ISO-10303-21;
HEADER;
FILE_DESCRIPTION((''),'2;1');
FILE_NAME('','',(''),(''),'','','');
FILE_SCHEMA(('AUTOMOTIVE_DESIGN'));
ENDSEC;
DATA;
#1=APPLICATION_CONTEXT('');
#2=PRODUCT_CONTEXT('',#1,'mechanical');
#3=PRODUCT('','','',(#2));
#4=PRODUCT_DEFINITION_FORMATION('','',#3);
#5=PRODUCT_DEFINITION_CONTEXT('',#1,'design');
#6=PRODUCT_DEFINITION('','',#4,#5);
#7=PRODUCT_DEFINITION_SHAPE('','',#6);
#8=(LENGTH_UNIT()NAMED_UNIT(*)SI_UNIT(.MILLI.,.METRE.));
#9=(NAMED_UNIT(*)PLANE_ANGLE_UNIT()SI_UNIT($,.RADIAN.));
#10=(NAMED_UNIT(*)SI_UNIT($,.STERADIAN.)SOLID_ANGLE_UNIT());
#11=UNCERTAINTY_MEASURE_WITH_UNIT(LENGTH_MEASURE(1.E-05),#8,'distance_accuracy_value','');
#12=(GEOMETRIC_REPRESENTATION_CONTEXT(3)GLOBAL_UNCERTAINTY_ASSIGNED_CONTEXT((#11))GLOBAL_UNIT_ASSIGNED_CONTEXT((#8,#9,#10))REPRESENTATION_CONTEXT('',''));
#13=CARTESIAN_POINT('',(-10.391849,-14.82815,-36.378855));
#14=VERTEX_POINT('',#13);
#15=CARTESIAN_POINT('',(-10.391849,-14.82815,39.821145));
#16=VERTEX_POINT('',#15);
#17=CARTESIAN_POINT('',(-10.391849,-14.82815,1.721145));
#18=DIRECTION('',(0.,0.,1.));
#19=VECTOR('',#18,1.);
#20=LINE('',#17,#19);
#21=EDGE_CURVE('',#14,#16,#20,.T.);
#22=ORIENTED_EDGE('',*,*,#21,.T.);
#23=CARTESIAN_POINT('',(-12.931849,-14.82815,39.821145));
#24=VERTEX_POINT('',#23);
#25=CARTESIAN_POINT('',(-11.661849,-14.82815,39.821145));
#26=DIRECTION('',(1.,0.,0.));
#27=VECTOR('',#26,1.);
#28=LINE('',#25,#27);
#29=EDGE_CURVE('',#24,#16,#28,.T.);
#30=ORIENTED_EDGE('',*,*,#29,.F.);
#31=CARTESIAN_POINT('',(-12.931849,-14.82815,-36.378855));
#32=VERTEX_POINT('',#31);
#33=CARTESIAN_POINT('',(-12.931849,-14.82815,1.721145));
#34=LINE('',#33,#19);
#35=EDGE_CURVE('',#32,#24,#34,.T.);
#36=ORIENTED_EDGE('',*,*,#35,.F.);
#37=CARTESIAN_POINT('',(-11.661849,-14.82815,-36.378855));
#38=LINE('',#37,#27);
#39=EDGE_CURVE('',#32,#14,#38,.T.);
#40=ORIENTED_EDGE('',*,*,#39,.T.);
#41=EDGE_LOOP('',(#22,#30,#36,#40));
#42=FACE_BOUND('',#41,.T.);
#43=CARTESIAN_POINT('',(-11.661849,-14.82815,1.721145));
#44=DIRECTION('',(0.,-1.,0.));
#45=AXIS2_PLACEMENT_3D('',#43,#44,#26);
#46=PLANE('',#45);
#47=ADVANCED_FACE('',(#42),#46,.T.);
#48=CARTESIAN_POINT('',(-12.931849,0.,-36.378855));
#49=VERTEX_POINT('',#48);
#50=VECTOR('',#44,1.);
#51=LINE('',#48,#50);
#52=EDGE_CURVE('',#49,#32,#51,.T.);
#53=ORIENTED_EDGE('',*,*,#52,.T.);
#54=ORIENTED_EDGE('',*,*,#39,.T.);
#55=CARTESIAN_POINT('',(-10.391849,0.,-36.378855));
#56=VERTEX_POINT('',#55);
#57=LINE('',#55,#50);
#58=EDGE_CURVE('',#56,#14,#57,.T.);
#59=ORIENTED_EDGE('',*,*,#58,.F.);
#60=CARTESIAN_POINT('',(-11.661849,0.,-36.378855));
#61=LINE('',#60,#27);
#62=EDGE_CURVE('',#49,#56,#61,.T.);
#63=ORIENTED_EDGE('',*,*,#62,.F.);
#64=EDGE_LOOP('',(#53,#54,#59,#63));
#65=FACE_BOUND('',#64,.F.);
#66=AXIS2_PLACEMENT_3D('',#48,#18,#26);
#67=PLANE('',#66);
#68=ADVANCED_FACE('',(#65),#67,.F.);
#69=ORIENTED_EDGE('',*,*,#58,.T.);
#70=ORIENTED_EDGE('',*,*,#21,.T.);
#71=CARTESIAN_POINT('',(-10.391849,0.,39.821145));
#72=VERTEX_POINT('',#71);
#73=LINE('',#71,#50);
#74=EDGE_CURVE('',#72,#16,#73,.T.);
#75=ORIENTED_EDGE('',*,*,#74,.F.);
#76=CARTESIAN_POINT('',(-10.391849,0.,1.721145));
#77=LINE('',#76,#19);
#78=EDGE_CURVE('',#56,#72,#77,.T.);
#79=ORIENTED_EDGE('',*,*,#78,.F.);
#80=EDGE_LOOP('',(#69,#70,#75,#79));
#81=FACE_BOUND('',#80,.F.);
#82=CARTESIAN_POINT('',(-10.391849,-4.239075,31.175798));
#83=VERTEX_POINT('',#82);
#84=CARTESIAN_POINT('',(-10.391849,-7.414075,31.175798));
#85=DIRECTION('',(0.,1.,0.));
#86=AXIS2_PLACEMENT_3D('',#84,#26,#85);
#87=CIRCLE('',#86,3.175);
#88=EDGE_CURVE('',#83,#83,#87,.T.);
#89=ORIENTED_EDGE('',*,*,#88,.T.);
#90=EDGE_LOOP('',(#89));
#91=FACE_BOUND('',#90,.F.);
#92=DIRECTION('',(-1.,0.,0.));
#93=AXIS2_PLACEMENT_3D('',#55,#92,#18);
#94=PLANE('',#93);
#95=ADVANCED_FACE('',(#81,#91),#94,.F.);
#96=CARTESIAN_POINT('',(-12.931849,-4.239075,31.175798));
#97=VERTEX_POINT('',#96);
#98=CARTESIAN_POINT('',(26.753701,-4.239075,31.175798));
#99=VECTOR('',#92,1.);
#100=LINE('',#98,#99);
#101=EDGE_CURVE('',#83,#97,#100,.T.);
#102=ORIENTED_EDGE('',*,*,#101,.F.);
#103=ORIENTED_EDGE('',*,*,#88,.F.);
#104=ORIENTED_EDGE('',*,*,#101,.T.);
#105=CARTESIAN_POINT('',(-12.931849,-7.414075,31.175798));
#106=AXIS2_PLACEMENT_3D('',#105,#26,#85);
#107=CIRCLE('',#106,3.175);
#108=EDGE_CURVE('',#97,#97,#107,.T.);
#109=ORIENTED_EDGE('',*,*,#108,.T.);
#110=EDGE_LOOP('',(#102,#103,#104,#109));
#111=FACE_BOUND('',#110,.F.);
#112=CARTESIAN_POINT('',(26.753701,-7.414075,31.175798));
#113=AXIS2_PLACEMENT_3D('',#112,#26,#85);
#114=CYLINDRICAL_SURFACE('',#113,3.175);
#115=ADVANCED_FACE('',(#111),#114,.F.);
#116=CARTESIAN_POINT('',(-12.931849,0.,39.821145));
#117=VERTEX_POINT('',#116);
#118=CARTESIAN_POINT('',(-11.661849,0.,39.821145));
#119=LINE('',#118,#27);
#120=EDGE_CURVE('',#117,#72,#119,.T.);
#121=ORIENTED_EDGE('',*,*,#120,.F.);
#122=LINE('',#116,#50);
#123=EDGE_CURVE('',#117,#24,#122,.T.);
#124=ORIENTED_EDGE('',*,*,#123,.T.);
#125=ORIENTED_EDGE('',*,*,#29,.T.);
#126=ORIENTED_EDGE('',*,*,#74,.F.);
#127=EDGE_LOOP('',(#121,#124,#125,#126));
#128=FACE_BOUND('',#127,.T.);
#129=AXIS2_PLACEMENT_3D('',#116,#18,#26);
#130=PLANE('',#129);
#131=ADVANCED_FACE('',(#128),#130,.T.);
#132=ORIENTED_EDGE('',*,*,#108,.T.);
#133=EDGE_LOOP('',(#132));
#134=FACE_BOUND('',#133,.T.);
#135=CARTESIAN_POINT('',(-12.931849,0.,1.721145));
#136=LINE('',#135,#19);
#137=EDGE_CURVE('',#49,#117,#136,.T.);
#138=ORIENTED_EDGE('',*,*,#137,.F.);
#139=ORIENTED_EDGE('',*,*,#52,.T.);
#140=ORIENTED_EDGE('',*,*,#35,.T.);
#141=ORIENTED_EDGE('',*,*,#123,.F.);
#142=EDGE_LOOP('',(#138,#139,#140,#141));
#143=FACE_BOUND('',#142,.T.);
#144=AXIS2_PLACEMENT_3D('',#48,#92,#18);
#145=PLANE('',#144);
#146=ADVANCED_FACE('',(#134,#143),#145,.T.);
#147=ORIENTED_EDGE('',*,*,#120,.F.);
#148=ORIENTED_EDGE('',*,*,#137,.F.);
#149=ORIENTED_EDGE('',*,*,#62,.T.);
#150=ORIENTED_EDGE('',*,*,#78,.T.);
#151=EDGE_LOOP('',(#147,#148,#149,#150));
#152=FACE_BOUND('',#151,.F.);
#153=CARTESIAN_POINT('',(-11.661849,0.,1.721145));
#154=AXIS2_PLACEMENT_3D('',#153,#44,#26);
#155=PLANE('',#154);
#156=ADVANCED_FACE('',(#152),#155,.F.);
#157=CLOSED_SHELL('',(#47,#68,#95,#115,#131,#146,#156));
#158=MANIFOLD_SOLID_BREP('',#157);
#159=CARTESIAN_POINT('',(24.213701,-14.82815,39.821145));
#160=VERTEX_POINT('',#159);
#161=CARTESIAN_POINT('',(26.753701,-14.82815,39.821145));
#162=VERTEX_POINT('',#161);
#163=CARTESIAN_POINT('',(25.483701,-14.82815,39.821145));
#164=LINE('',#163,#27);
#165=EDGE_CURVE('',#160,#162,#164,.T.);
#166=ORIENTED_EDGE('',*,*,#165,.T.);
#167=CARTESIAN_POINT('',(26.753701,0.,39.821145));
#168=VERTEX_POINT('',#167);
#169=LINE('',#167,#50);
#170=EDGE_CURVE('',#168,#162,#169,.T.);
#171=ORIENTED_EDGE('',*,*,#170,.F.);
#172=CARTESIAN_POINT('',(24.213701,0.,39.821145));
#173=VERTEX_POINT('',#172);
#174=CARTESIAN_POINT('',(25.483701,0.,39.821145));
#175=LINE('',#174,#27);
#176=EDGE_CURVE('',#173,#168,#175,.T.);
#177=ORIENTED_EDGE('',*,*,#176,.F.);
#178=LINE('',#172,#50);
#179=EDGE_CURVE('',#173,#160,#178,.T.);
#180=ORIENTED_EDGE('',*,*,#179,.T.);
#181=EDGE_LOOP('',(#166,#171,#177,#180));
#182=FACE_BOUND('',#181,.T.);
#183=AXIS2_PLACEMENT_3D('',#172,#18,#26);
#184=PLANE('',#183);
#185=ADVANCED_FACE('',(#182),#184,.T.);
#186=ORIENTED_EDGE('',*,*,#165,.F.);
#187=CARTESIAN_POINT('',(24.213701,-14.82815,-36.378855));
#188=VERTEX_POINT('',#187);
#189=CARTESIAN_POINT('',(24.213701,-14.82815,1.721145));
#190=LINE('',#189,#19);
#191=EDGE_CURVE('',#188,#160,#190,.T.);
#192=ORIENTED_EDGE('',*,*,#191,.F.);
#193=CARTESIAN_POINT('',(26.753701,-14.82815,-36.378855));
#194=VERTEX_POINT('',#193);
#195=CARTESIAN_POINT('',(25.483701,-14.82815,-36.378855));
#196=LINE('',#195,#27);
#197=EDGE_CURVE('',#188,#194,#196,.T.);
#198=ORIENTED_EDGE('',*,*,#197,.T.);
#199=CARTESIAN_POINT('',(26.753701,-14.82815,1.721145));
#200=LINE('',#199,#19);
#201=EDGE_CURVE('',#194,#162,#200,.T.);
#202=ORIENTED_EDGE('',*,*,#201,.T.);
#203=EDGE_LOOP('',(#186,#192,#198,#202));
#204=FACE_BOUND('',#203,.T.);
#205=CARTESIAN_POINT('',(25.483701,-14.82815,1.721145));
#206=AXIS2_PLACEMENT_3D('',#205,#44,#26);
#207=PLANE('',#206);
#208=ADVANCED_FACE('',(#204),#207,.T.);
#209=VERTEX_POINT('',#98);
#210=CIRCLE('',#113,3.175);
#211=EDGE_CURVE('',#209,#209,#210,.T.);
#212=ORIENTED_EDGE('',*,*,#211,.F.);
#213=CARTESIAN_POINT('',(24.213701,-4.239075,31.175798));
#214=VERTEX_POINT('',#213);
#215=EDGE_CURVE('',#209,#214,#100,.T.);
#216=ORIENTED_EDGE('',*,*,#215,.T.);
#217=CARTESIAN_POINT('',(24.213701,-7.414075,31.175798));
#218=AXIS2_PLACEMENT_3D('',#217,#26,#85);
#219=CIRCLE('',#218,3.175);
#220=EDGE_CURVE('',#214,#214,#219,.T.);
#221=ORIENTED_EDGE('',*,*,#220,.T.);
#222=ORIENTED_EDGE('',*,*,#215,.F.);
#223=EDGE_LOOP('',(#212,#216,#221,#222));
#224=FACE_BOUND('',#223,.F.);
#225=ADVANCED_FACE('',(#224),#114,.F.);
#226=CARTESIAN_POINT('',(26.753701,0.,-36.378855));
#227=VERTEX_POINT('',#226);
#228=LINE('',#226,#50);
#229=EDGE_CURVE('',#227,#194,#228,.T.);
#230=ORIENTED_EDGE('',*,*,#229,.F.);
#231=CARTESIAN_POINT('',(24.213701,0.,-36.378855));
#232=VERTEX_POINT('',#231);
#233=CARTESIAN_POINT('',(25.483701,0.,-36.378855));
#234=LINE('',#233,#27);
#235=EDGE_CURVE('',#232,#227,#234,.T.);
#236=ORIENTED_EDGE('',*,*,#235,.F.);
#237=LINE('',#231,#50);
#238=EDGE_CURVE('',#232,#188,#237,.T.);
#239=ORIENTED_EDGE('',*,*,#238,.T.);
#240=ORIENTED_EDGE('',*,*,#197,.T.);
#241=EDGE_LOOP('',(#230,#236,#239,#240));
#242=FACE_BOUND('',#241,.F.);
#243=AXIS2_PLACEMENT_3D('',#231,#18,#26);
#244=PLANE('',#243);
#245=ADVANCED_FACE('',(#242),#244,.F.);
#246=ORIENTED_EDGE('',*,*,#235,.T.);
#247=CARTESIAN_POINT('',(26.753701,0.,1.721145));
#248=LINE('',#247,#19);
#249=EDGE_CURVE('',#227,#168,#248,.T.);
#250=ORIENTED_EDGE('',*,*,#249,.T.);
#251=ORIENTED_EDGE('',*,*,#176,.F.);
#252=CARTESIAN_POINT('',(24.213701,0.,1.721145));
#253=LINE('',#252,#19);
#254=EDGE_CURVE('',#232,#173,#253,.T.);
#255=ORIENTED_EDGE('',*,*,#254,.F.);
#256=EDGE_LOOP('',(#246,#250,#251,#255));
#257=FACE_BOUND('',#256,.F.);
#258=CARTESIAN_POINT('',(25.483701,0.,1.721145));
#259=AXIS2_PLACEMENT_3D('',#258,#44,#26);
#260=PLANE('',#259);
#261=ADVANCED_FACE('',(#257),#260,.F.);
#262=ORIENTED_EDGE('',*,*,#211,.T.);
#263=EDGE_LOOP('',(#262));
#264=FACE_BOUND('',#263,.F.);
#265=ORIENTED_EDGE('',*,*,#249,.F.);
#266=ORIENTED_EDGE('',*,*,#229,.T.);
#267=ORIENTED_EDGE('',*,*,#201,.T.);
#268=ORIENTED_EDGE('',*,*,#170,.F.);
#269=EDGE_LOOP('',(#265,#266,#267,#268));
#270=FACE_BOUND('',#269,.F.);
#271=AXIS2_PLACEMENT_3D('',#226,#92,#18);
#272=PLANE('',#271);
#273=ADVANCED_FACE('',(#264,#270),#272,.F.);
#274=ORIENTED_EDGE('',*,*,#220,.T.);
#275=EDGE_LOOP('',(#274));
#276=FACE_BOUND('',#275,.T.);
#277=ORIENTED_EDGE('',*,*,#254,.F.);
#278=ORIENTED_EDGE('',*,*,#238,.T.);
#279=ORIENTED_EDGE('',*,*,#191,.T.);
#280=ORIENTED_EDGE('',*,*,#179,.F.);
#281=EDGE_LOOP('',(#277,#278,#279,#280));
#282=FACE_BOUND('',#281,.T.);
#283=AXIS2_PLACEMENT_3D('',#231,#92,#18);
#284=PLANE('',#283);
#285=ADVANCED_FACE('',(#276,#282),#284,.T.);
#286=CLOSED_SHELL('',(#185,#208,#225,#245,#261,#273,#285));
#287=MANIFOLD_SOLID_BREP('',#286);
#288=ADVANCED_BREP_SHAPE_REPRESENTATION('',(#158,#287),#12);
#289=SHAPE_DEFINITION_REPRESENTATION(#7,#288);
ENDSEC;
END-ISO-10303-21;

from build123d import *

# Parameters (mm, degrees)
F0_W     = 2.54
F0_H     = 76.2
F1_DEPTH = 14.82815
F2_R     = 3.175
F3_DEPTH = 50.97066


with BuildPart() as f1:
    # F0 (on Front) → F1 (new body)
    with BuildSketch(Plane.XZ):
        with Locations((-11.661849, 1.721145)):
            Rectangle(F0_W, F0_H)
        with Locations((25.483701, 1.721145)):
            Rectangle(F0_W, F0_H)
    extrude(amount=F1_DEPTH)

    # F2 (on face) → F3 (cut)
    with BuildSketch(Plane.YZ.offset(26.753701)):
        with Locations((-7.414075, 31.175798)):
            Circle(F2_R)
    extrude(amount=-F3_DEPTH, mode=Mode.SUBTRACT)


solid = f1.part
